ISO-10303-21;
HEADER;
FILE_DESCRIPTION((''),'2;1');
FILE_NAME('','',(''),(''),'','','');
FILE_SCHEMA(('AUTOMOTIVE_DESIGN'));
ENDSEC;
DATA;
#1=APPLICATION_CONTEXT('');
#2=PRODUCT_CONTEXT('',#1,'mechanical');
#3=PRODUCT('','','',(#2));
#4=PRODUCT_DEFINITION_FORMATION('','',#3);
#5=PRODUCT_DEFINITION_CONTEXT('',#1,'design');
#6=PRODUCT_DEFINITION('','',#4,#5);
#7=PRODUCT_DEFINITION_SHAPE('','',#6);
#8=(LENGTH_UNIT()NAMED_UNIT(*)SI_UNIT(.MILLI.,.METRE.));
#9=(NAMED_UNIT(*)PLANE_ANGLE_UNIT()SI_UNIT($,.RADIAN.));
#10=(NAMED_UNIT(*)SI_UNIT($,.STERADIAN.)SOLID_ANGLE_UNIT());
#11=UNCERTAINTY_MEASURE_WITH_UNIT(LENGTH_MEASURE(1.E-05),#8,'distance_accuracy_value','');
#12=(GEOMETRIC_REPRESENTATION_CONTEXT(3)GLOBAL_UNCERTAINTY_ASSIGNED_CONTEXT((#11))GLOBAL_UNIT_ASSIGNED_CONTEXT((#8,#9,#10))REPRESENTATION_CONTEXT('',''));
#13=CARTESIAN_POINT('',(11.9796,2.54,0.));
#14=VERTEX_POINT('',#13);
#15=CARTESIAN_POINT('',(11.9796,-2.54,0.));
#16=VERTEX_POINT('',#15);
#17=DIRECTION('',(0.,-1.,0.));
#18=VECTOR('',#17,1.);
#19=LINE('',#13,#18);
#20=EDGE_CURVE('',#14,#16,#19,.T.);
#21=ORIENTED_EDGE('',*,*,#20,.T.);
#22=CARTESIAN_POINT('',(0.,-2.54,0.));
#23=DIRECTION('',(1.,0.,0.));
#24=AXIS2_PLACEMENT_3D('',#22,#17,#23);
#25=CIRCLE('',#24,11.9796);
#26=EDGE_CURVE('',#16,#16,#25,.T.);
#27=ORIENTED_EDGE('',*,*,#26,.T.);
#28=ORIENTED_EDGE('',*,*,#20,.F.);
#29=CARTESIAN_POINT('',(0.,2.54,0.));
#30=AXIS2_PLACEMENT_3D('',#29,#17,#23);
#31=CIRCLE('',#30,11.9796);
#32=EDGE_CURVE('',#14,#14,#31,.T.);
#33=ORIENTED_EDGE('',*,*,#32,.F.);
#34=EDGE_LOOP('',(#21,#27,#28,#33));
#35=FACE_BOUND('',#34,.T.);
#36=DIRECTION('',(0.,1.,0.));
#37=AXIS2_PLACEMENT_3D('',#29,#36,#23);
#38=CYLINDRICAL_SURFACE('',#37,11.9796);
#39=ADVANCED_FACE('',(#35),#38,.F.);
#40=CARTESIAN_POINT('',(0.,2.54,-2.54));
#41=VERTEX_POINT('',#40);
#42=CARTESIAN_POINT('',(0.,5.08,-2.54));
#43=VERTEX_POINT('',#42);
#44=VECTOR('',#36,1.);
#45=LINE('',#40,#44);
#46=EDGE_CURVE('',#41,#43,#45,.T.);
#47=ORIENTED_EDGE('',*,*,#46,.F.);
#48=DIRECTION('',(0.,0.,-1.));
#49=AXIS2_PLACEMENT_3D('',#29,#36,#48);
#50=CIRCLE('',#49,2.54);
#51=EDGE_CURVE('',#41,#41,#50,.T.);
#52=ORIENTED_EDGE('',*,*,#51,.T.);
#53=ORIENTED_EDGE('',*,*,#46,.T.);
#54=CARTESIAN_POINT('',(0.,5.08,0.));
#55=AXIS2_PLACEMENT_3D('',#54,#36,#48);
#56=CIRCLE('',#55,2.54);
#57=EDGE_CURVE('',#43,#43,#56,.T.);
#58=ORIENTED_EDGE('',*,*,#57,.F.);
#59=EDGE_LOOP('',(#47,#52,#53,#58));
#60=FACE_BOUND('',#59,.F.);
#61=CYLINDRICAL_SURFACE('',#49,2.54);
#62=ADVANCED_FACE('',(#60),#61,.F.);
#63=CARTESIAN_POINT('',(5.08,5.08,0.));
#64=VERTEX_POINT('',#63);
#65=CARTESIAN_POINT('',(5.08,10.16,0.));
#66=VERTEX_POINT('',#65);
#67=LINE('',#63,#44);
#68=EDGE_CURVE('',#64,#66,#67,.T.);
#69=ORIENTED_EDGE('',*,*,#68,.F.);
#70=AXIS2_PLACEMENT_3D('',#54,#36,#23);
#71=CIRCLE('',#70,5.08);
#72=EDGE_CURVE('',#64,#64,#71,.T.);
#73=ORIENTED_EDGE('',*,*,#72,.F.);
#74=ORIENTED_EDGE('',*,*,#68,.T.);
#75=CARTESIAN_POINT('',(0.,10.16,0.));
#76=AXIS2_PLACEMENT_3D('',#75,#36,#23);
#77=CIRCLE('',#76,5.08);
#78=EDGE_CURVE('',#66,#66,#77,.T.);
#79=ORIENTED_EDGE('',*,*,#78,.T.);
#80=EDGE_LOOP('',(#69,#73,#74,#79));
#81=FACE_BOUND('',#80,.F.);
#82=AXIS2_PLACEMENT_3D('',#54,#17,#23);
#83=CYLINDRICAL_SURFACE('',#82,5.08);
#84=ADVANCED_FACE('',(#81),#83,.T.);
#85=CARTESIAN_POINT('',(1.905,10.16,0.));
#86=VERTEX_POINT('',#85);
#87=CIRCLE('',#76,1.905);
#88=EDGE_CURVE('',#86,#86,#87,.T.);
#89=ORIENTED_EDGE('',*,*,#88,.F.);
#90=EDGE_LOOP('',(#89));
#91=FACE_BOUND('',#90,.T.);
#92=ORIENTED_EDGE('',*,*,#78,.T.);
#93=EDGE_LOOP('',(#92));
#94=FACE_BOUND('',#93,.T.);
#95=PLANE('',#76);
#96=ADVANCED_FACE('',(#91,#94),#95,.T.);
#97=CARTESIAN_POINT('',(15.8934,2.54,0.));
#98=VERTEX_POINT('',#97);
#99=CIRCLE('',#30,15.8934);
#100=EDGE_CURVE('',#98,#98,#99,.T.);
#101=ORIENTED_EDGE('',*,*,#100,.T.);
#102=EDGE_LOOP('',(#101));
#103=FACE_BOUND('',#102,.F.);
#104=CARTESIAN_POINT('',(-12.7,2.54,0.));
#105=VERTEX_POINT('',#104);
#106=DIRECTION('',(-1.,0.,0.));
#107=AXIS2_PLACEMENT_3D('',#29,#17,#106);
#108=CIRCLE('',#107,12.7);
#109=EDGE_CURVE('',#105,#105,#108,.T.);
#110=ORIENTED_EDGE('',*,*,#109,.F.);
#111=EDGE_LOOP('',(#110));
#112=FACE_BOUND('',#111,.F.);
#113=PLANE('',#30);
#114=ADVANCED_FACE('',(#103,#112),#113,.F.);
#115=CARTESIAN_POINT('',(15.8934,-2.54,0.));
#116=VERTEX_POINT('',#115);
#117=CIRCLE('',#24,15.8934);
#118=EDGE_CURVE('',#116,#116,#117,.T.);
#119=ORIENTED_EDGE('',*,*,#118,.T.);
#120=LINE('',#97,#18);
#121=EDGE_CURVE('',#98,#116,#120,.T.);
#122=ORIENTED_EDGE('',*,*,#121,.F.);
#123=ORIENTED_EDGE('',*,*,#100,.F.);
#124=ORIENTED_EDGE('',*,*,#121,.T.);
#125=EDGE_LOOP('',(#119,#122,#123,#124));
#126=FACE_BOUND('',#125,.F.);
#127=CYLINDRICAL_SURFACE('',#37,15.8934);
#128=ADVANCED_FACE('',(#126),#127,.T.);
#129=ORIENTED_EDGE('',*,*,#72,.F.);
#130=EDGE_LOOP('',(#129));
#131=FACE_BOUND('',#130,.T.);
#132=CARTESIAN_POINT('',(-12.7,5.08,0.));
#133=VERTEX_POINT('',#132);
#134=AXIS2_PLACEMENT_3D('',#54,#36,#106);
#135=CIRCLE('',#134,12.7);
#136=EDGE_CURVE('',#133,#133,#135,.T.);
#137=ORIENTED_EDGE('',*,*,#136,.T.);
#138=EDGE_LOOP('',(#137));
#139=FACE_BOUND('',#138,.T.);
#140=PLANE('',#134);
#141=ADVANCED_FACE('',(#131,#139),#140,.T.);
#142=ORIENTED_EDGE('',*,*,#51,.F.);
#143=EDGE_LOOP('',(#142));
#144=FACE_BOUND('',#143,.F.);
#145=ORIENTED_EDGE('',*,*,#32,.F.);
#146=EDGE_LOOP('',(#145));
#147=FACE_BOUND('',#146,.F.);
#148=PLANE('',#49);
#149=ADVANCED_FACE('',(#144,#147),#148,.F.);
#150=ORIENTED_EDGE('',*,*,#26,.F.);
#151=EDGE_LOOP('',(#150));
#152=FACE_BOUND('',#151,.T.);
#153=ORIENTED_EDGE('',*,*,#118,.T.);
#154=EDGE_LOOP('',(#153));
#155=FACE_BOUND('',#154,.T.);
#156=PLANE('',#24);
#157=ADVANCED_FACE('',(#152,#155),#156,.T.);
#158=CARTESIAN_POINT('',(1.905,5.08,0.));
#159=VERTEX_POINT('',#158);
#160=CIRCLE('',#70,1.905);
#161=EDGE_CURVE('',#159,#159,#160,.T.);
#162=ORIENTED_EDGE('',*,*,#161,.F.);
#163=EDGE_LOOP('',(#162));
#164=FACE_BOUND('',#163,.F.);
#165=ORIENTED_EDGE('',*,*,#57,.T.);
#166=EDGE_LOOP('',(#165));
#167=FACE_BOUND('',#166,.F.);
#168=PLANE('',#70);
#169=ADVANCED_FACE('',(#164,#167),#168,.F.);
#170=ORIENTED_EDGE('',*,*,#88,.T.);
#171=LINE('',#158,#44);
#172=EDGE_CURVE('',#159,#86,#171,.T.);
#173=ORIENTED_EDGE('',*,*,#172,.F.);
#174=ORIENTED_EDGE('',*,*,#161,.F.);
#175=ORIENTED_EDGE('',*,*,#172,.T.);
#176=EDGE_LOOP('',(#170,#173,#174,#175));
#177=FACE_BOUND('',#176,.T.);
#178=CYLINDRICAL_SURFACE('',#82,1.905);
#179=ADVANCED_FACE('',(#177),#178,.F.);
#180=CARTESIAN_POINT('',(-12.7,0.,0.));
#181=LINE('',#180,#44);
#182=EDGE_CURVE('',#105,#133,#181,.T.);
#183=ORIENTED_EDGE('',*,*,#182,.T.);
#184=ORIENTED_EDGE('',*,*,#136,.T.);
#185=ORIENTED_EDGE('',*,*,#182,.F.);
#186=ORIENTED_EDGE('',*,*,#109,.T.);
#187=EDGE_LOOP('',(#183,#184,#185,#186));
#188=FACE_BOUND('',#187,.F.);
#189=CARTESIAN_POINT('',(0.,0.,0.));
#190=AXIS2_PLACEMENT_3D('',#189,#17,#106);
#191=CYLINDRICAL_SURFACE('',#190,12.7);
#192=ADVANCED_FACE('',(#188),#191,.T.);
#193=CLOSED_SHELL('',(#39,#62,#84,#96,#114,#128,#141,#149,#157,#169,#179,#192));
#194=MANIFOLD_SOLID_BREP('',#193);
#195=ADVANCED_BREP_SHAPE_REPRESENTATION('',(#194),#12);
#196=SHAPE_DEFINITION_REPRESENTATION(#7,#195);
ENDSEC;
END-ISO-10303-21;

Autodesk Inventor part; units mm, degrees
ref_plane "YZ Plane" through (0, 0, 0) normal (1, 0, 0) x (0, 1, 0)
ref_plane "XZ Plane" through (0, 0, 0) normal (0, 1, 0) x (-1, 0, 0)
ref_plane "XY Plane" through (0, 0, 0) normal (0, 0, 1) x (1, 0, 0)
sketch "Sketch1" plane through (0, 0, 0) normal (0, 1, 0) x (-1, 0, 0)
  circle A0 centre (0, 0) radius 12.7
  dimension "d1" = 25.4
extrude "Extrusion3" add sketch "Sketch1" along normal blind 5.08
sketch "Sketch3" plane through (0, 0, 0) normal (0, -1, 0) x (1, 0, 0)
  circle A0 centre (0, 0) radius 0.4685
hole "Hole1" at (0, 0, 0) direction (0, 1, 0) diameter 5.08 end through all counterbore diameter 38.1 counterbore depth 2.54
sketch "Sketch4" plane through (0, 2.54, 0) normal (0, -1, 0) x (1, 0, 0)
  circle A0 centre (0, 0) radius 11.9796
  circle A1 centre (0, 0) radius 19.05
  circle A2 centre (0, 0) radius 15.8934
extrude "Extrusion4" add sketch "Sketch4" along normal blind 5.08 contours A2
sketch "Sketch5" plane through (0, 5.08, 0) normal (0, 1, 0) x (1, 0, 0)
  point P0 (0, 0)
sketch "Sketch6" plane through (0, 5.08, 0) normal (0, 1, 0) x (1, 0, 0)
  circle A0 centre (0, 0) radius 5.08
  dimension "d19" = 10.16
sketch "Sketch7" plane through (0, 5.08, 0) normal (0, 1, 0) x (1, 0, 0)
  circle A0 centre (0, 0) radius 1.905
  dimension "d24" = 3.81
extrude "Extrusion5" add sketch "Sketch6" along normal blind 5.08
extrude "Extrusion6" cut sketch "Sketch7" along normal blind 5.08
properties part number "NEWWHEELS"
